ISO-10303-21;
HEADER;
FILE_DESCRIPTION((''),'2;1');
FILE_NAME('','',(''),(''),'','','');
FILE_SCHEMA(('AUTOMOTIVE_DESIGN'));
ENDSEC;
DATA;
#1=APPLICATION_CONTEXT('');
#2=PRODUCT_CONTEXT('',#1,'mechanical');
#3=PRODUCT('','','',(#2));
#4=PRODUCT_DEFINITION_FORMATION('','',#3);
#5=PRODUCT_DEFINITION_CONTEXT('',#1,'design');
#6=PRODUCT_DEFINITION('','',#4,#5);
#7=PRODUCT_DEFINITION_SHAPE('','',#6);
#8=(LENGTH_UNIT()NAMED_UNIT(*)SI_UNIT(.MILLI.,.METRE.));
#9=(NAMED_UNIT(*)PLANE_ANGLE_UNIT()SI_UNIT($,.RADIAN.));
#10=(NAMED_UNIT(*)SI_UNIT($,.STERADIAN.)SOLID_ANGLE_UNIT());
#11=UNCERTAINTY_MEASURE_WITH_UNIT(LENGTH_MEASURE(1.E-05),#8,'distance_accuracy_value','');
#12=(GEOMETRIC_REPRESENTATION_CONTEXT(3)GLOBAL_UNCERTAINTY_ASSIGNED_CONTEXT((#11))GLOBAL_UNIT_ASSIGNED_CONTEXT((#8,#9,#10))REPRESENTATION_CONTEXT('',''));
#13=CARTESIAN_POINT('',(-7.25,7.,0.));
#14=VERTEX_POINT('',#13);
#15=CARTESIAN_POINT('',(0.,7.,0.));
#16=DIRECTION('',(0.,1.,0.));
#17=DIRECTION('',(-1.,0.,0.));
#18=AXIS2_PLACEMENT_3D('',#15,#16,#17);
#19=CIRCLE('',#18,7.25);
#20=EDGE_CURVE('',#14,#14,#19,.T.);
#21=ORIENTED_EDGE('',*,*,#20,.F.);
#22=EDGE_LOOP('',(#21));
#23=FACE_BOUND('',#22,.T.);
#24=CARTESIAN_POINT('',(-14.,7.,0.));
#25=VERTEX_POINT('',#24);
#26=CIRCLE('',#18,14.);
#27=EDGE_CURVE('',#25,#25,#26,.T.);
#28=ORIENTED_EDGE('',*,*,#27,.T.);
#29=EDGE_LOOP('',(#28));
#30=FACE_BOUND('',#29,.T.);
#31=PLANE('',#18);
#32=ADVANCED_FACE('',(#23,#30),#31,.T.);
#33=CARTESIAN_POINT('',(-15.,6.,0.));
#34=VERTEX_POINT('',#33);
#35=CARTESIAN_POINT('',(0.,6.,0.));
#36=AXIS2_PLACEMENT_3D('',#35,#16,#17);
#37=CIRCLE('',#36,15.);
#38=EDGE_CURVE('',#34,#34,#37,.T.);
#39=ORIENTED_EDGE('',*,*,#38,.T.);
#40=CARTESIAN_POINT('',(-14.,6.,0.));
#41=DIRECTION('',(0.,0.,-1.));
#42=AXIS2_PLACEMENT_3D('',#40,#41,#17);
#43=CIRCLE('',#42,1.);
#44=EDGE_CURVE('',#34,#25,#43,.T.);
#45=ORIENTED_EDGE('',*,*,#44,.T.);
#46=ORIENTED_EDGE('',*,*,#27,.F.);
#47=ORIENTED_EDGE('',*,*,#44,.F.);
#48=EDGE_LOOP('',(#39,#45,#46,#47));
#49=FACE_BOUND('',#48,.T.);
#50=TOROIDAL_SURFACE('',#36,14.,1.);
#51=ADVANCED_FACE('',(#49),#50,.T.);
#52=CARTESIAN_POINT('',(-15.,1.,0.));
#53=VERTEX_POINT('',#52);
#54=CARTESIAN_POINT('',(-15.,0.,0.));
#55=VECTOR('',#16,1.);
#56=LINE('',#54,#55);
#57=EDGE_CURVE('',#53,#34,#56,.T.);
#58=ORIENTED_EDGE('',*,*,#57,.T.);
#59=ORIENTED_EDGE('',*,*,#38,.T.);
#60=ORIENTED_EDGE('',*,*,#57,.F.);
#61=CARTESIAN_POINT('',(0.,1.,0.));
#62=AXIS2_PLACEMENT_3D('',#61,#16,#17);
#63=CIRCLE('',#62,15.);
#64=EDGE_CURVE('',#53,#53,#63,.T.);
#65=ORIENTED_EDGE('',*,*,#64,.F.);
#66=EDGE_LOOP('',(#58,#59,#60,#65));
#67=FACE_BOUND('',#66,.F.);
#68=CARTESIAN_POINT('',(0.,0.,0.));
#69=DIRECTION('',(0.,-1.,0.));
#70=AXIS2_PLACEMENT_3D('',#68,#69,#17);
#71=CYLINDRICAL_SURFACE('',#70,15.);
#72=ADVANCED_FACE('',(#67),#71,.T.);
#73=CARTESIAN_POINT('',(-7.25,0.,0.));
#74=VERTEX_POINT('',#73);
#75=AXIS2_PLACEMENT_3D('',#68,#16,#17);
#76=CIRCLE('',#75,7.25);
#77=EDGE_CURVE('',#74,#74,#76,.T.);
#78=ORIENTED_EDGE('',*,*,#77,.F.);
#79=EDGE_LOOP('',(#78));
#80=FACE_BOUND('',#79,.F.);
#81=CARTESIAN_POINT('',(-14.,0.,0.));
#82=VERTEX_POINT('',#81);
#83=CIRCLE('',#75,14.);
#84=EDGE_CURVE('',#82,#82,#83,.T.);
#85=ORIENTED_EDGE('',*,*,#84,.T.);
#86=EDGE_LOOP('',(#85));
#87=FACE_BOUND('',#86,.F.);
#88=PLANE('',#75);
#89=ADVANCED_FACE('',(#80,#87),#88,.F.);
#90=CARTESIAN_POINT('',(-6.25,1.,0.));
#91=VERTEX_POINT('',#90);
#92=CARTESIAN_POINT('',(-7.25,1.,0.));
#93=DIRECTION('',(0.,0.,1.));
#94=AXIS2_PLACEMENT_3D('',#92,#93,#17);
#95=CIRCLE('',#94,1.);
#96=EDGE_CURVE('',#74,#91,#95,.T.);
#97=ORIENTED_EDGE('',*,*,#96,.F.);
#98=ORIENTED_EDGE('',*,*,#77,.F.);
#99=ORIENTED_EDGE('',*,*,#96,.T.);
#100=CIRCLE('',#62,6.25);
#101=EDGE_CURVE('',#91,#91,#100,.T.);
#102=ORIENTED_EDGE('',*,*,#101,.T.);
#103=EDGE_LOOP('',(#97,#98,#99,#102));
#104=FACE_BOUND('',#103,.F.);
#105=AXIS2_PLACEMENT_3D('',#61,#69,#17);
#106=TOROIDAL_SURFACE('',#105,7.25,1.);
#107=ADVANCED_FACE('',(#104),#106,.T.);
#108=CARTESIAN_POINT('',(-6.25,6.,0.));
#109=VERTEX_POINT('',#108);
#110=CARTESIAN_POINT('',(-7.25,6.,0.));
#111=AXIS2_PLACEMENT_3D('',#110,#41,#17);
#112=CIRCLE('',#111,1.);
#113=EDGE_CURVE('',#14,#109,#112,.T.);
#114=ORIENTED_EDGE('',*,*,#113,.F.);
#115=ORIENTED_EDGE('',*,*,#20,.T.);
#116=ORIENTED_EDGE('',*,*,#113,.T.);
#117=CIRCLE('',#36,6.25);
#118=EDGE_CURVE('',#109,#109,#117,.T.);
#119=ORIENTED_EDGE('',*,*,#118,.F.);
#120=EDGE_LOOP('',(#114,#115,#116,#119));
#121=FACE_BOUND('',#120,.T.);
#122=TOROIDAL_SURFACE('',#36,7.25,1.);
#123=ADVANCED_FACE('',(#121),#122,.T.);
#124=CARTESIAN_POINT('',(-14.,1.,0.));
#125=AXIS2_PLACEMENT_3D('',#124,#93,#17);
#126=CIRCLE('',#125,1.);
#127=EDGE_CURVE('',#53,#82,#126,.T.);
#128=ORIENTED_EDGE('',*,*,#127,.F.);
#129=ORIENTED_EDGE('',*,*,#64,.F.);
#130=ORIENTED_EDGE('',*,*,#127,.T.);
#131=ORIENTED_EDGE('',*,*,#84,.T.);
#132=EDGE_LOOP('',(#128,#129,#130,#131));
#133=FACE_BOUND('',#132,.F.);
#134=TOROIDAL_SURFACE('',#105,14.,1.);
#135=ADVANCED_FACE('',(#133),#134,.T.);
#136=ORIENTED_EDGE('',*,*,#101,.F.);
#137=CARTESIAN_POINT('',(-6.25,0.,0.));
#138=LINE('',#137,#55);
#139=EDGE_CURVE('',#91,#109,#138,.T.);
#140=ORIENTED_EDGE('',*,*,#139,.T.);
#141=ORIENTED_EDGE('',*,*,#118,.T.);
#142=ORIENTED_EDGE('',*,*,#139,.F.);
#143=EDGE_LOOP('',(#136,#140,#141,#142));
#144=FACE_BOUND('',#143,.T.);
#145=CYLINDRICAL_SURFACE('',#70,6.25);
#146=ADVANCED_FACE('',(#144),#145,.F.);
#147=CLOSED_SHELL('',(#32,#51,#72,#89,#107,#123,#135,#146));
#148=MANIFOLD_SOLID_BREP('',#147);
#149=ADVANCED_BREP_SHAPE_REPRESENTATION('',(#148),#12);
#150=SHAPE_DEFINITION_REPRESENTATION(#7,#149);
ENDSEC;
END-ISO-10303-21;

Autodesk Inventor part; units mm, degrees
ref_plane "YZ Plane" through (0, 0, 0) normal (1, 0, 0) x (0, 1, 0)
ref_plane "XZ Plane" through (0, 0, 0) normal (0, 1, 0) x (-1, 0, 0)
ref_plane "XY Plane" through (0, 0, 0) normal (0, 0, 1) x (1, 0, 0)
sketch "Sketch1" plane through (0, 0, 0) normal (0, 1, 0) x (-1, 0, 0)
  circle A0 centre (0, 0) radius 6.25
  circle A1 centre (0, 0) radius 15
  dimension "d0" = 12.5
  dimension "d1" = 30
extrude "Extrusion1" add sketch "Sketch1" along normal blind 7
fillet "Fillet1" radius 1 2 edges at (15, 7, 0) (15, 0, 0)
fillet "Fillet2" radius 1 2 edges at (6.25, 7, 0) (6.25, 0, 0)
properties part number "wheel"
